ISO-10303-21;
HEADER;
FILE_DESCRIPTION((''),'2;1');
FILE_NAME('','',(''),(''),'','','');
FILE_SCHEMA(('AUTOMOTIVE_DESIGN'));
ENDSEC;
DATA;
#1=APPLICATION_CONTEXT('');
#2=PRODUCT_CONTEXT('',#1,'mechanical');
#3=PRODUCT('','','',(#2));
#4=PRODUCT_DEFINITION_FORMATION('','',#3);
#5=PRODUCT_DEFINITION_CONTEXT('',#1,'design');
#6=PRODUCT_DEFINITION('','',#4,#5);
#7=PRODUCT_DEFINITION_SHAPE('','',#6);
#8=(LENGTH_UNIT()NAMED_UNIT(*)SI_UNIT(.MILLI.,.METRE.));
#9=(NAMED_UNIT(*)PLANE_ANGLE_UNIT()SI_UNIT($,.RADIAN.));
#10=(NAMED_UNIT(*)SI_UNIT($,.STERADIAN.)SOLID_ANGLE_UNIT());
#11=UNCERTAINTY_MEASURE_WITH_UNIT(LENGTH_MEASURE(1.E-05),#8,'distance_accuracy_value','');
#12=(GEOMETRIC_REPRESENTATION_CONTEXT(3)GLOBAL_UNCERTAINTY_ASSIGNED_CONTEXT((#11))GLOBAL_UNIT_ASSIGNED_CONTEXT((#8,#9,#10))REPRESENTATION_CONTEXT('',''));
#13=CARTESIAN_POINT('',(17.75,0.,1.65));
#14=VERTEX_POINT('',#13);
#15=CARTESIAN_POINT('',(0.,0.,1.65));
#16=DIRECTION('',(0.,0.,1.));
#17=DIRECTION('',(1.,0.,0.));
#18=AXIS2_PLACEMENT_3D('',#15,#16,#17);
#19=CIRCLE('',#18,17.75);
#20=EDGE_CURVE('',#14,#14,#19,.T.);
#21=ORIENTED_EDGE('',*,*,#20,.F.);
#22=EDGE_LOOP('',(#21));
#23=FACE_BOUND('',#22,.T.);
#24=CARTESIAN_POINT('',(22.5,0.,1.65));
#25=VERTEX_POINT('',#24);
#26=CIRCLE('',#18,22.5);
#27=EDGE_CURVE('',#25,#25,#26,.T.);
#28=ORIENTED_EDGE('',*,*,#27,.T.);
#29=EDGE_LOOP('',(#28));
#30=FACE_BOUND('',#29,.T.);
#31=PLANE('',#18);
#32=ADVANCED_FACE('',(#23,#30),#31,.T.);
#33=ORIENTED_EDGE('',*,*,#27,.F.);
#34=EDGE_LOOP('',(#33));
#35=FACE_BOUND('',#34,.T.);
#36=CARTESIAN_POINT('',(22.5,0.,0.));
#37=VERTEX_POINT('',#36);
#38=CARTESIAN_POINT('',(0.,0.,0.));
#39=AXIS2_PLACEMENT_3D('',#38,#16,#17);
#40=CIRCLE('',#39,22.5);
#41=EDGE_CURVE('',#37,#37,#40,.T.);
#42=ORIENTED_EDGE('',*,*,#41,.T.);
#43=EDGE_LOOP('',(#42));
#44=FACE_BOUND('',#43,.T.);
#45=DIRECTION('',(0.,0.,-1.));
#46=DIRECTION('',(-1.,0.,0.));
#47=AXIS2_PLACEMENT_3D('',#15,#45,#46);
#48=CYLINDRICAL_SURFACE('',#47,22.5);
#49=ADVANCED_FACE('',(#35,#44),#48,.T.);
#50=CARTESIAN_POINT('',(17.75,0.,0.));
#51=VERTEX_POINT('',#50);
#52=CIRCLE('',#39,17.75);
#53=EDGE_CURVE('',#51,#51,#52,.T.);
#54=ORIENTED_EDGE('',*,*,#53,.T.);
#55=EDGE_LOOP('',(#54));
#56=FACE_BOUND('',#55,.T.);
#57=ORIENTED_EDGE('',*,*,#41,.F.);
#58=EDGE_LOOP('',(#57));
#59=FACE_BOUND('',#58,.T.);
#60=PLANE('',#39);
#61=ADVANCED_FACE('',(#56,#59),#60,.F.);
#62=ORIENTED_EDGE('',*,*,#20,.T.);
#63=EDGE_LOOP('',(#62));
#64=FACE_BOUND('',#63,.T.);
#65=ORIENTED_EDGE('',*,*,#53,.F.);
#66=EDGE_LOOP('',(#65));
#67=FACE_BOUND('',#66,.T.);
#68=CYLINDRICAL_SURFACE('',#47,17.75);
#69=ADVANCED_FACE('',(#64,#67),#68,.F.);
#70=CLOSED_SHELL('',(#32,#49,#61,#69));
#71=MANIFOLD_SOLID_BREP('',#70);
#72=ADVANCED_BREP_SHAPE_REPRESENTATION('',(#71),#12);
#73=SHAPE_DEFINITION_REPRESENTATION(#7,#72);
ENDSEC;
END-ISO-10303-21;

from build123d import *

# Parameters (mm, degrees)
ESQUISSE1_R          = 22.5
ESQUISSE1_R_2        = 17.75
BASE_EXTRUSION_DEPTH = 1.65


with BuildPart() as part:
    # Esquisse1 → Base-Extrusion (new body)
    with BuildSketch(Plane.XY):
        Circle(ESQUISSE1_R)
        Circle(ESQUISSE1_R_2, mode=Mode.SUBTRACT)
    extrude(amount=BASE_EXTRUSION_DEPTH)


solid = part.part
